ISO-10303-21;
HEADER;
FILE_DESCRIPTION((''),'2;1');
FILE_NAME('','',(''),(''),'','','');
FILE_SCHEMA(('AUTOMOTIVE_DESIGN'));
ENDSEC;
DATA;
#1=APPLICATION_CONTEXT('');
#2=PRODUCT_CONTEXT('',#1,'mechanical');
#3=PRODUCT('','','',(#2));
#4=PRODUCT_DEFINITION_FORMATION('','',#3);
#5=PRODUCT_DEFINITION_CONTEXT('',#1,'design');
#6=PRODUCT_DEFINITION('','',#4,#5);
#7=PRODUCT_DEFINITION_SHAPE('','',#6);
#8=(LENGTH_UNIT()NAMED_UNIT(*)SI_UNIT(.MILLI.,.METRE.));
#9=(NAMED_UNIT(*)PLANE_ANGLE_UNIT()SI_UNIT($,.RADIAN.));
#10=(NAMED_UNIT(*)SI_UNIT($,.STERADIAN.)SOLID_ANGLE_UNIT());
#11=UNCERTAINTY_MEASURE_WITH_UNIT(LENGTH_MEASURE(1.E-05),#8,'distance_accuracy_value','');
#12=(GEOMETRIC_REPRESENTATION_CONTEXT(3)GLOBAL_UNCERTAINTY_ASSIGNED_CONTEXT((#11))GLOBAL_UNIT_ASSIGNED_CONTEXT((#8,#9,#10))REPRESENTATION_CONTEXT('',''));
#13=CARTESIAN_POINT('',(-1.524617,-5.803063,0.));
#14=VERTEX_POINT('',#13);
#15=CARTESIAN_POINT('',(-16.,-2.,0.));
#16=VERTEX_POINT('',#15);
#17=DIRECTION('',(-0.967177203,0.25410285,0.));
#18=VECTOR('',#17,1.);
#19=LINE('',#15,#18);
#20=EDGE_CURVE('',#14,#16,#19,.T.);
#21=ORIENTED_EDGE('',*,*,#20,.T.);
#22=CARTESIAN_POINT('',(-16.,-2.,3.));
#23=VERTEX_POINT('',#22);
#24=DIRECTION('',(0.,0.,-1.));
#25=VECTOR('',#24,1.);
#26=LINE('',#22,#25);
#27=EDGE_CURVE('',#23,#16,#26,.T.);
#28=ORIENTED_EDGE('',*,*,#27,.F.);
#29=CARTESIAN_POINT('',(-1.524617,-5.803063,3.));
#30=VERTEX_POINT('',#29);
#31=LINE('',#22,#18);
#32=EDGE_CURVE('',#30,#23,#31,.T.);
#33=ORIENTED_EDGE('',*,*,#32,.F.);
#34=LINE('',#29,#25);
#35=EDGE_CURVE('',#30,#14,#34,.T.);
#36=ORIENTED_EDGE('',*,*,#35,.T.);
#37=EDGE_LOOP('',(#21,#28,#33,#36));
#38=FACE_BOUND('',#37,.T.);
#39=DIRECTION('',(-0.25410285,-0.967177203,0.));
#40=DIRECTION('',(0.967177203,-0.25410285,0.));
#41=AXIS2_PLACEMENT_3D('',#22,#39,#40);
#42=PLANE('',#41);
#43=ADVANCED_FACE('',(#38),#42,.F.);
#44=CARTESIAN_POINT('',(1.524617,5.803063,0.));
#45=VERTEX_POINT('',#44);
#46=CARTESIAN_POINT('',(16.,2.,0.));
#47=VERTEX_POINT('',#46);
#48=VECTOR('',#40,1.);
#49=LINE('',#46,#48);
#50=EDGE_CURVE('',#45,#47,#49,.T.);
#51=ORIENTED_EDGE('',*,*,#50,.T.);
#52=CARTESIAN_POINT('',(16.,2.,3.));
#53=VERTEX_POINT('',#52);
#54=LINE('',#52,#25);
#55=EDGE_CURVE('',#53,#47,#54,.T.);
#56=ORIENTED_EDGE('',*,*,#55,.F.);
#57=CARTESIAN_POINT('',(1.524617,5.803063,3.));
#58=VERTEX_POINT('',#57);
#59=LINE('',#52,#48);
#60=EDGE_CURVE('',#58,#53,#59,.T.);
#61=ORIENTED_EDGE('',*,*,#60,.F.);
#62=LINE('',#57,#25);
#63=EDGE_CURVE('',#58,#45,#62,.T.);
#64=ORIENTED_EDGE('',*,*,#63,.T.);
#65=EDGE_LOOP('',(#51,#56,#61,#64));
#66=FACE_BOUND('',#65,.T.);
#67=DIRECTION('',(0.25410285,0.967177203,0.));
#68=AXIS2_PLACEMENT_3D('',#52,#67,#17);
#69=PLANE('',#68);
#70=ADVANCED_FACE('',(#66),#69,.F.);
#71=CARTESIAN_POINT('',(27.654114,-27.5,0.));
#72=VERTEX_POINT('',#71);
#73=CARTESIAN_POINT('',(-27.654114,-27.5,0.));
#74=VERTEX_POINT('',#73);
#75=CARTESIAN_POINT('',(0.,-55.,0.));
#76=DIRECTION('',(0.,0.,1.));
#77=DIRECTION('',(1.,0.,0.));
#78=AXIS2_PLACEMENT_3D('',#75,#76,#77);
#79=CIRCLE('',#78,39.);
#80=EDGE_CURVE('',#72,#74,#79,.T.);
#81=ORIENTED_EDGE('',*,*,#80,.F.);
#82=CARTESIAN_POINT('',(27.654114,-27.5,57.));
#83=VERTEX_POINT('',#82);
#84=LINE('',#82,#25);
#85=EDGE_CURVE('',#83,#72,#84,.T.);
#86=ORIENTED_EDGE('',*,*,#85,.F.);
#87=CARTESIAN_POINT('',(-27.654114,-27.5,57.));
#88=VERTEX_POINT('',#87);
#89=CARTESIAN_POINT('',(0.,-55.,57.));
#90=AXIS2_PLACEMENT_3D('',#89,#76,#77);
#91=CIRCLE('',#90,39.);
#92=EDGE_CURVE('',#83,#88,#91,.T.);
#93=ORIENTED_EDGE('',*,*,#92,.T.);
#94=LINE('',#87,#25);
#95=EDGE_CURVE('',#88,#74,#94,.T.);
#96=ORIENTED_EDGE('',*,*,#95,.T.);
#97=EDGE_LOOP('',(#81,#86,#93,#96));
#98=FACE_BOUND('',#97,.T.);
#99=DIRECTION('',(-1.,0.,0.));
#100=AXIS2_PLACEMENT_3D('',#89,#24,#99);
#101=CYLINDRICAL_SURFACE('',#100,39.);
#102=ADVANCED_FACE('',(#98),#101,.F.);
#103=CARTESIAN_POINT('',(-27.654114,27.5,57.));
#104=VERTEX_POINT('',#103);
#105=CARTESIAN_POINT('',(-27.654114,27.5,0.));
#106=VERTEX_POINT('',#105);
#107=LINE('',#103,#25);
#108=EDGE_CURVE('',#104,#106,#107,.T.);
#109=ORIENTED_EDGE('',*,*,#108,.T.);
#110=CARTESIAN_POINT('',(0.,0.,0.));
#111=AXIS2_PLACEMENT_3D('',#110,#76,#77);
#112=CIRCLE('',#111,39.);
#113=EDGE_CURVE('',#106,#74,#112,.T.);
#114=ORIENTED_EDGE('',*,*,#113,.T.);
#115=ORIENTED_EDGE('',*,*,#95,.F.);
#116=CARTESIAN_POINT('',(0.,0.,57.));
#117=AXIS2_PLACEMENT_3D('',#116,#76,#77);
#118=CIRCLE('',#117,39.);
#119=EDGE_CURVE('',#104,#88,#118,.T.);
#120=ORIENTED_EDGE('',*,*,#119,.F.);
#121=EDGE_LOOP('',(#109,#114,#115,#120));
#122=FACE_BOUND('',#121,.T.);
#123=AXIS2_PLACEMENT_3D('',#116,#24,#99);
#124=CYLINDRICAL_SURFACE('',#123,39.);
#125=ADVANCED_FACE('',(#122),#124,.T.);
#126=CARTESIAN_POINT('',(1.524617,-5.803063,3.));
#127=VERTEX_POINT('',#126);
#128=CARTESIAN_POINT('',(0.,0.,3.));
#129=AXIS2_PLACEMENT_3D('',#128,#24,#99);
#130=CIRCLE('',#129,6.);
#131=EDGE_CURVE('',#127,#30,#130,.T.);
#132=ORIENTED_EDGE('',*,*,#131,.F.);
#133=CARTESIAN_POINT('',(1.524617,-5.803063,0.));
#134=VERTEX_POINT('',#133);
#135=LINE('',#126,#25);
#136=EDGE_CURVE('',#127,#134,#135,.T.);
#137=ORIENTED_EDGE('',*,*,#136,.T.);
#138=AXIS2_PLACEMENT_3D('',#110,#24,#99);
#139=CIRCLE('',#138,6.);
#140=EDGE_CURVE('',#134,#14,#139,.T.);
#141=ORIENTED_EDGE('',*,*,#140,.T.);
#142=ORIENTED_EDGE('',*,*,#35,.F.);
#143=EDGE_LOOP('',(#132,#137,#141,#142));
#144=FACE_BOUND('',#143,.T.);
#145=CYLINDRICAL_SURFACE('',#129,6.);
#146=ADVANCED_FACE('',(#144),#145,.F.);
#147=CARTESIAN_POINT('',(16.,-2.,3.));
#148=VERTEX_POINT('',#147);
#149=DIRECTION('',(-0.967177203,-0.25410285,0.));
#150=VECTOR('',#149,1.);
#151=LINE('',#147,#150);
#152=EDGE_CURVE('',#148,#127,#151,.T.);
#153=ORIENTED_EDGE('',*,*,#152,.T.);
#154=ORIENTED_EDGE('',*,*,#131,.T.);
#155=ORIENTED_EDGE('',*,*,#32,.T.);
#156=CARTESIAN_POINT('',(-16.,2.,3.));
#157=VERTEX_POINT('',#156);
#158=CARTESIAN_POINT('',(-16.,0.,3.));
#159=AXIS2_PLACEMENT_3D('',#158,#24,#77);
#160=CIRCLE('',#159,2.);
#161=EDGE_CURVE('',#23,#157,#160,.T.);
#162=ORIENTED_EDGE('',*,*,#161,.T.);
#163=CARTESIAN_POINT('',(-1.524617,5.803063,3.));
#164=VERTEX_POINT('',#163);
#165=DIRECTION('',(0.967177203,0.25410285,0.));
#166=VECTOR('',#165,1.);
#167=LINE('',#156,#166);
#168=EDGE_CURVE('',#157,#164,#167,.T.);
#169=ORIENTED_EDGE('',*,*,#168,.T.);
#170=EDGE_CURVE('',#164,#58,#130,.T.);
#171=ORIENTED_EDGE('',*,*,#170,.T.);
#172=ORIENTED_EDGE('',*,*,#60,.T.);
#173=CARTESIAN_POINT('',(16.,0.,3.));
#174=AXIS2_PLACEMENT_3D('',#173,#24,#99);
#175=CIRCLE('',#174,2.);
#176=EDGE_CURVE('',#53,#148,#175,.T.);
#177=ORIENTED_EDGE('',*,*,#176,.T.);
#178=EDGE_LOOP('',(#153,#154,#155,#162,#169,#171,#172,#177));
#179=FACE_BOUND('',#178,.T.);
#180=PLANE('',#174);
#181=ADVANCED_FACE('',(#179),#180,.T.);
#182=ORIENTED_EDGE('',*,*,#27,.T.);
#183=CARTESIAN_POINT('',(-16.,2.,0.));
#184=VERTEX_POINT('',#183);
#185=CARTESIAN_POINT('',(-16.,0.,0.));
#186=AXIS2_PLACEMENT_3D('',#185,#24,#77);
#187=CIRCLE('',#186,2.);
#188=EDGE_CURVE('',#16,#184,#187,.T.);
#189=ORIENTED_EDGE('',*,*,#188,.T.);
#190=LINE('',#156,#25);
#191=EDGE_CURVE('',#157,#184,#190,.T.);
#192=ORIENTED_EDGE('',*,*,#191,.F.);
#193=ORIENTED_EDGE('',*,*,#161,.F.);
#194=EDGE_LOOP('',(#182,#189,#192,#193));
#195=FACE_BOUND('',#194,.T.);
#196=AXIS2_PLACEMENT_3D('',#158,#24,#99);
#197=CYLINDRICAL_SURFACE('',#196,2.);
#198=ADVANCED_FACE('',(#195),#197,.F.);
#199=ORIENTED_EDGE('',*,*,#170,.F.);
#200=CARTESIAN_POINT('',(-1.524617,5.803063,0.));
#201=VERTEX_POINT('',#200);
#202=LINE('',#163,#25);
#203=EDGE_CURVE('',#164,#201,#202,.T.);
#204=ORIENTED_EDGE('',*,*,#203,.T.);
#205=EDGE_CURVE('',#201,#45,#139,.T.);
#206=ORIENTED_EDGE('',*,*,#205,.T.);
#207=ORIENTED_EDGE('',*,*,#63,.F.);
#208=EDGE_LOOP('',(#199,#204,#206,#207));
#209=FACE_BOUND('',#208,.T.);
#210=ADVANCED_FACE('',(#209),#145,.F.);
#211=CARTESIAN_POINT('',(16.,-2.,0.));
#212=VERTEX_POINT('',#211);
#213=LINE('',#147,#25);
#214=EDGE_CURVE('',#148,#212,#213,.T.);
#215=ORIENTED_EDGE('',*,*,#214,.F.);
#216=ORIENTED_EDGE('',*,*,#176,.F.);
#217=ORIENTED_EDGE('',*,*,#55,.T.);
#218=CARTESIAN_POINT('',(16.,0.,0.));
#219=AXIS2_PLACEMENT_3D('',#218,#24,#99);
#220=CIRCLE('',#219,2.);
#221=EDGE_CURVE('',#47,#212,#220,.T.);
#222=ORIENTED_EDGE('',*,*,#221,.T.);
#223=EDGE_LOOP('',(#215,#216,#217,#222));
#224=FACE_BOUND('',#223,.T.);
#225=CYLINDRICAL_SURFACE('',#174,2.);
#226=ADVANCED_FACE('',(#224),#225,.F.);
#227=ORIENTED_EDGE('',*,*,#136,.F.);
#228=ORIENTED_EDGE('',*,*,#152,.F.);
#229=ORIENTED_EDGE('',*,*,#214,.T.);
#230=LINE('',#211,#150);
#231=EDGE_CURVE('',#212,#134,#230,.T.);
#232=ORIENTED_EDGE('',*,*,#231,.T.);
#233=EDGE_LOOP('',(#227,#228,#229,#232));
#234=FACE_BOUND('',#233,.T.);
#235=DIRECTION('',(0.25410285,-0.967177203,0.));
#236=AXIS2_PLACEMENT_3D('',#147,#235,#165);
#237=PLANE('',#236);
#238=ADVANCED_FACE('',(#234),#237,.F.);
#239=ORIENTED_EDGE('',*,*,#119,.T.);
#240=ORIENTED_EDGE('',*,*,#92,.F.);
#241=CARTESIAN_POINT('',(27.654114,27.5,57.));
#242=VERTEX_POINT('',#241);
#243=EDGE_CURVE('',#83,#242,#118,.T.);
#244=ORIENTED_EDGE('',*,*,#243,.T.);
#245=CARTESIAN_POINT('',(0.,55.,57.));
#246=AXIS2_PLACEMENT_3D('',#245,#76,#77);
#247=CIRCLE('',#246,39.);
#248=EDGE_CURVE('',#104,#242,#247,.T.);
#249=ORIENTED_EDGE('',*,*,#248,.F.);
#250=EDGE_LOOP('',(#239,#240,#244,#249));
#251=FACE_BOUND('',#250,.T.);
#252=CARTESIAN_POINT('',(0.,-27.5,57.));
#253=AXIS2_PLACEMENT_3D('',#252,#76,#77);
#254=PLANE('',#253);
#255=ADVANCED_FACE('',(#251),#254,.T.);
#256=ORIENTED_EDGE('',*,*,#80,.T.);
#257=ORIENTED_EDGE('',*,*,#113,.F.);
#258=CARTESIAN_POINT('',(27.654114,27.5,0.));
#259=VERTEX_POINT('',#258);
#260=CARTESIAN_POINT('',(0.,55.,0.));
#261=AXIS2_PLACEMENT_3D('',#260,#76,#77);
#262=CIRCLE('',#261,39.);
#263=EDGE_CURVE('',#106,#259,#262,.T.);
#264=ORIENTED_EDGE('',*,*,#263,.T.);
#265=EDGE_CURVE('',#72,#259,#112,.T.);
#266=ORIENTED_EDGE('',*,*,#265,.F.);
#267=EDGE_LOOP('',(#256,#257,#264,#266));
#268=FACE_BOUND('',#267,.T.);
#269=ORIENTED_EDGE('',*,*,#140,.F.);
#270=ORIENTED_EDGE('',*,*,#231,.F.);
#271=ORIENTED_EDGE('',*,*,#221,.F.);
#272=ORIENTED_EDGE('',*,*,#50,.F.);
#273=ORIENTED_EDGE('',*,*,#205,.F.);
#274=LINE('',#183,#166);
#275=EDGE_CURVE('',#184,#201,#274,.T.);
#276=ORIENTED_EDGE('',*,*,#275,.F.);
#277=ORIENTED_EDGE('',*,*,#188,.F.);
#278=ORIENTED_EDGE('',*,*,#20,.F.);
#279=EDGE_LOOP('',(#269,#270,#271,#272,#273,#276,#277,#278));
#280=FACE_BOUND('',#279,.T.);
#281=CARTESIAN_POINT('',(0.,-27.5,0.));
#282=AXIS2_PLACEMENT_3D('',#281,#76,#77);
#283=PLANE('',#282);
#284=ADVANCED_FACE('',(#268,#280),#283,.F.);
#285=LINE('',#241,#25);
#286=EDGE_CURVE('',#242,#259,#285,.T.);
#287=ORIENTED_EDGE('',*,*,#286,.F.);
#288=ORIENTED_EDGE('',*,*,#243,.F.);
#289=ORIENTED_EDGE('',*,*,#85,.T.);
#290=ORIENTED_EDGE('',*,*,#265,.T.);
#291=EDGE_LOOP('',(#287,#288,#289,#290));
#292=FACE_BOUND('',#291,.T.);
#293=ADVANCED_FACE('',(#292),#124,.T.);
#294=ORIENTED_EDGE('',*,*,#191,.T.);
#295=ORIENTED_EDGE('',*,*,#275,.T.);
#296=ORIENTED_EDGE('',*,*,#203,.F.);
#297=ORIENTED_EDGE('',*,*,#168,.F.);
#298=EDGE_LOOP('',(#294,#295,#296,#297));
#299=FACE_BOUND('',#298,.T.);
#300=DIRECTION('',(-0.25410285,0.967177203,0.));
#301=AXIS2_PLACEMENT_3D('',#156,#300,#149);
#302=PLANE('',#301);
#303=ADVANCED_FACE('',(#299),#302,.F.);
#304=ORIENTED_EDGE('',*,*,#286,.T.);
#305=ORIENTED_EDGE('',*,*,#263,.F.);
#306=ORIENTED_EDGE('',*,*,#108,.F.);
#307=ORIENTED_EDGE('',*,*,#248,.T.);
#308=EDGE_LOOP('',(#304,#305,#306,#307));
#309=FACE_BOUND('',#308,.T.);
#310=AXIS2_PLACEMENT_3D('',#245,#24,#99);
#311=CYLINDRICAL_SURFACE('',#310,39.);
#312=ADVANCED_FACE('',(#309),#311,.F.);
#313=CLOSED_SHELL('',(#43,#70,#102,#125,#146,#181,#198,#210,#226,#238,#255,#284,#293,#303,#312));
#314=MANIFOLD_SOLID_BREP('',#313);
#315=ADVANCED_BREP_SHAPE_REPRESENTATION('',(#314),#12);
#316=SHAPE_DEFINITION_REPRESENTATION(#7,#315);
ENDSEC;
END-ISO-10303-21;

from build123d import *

# Parameters (mm, degrees)
BOSS_EXTRUDE1_DEPTH = 57
CUT_EXTRUDE1_DEPTH  = 3


with BuildPart() as part:
    # Sketch1 → Boss-Extrude1 (new body)
    with BuildSketch(Plane.XY):
        with BuildLine():
            ThreePointArc((-27.654113618, 27.5), (-39, 0), (-27.654113618, -27.5))
            ThreePointArc((-27.654113618, -27.5), (0, -16), (27.654113618, -27.5))
            ThreePointArc((27.654113618, -27.5), (39, 0), (27.654113618, 27.5))
            ThreePointArc((27.654113618, 27.5), (0, 16), (-27.654113618, 27.5))
        make_face()
    extrude(amount=BOSS_EXTRUDE1_DEPTH)

    # Sketch2 → Cut-Extrude1 (cut)
    with BuildSketch(Plane(origin=(0, 0, 0), x_dir=(-1, 0, 0), z_dir=(0, 0, -1))):
        with BuildLine():
            Line((16, 2), (1.524617098, 5.803063217))
            ThreePointArc((1.524617098, 5.803063217), (0, 6), (-1.524617098, 5.803063217))
            Line((-1.524617098, 5.803063217), (-16, 2))
            ThreePointArc((-16, 2), (-18, 0), (-16, -2))
            Line((-16, -2), (-1.524617098, -5.803063217))
            ThreePointArc((-1.524617098, -5.803063217), (0, -6), (1.524617098, -5.803063217))
            Line((1.524617098, -5.803063217), (16, -2))
            ThreePointArc((16, -2), (18, 0), (16, 2))
        make_face()
    extrude(amount=-CUT_EXTRUDE1_DEPTH, mode=Mode.SUBTRACT)


solid = part.part
